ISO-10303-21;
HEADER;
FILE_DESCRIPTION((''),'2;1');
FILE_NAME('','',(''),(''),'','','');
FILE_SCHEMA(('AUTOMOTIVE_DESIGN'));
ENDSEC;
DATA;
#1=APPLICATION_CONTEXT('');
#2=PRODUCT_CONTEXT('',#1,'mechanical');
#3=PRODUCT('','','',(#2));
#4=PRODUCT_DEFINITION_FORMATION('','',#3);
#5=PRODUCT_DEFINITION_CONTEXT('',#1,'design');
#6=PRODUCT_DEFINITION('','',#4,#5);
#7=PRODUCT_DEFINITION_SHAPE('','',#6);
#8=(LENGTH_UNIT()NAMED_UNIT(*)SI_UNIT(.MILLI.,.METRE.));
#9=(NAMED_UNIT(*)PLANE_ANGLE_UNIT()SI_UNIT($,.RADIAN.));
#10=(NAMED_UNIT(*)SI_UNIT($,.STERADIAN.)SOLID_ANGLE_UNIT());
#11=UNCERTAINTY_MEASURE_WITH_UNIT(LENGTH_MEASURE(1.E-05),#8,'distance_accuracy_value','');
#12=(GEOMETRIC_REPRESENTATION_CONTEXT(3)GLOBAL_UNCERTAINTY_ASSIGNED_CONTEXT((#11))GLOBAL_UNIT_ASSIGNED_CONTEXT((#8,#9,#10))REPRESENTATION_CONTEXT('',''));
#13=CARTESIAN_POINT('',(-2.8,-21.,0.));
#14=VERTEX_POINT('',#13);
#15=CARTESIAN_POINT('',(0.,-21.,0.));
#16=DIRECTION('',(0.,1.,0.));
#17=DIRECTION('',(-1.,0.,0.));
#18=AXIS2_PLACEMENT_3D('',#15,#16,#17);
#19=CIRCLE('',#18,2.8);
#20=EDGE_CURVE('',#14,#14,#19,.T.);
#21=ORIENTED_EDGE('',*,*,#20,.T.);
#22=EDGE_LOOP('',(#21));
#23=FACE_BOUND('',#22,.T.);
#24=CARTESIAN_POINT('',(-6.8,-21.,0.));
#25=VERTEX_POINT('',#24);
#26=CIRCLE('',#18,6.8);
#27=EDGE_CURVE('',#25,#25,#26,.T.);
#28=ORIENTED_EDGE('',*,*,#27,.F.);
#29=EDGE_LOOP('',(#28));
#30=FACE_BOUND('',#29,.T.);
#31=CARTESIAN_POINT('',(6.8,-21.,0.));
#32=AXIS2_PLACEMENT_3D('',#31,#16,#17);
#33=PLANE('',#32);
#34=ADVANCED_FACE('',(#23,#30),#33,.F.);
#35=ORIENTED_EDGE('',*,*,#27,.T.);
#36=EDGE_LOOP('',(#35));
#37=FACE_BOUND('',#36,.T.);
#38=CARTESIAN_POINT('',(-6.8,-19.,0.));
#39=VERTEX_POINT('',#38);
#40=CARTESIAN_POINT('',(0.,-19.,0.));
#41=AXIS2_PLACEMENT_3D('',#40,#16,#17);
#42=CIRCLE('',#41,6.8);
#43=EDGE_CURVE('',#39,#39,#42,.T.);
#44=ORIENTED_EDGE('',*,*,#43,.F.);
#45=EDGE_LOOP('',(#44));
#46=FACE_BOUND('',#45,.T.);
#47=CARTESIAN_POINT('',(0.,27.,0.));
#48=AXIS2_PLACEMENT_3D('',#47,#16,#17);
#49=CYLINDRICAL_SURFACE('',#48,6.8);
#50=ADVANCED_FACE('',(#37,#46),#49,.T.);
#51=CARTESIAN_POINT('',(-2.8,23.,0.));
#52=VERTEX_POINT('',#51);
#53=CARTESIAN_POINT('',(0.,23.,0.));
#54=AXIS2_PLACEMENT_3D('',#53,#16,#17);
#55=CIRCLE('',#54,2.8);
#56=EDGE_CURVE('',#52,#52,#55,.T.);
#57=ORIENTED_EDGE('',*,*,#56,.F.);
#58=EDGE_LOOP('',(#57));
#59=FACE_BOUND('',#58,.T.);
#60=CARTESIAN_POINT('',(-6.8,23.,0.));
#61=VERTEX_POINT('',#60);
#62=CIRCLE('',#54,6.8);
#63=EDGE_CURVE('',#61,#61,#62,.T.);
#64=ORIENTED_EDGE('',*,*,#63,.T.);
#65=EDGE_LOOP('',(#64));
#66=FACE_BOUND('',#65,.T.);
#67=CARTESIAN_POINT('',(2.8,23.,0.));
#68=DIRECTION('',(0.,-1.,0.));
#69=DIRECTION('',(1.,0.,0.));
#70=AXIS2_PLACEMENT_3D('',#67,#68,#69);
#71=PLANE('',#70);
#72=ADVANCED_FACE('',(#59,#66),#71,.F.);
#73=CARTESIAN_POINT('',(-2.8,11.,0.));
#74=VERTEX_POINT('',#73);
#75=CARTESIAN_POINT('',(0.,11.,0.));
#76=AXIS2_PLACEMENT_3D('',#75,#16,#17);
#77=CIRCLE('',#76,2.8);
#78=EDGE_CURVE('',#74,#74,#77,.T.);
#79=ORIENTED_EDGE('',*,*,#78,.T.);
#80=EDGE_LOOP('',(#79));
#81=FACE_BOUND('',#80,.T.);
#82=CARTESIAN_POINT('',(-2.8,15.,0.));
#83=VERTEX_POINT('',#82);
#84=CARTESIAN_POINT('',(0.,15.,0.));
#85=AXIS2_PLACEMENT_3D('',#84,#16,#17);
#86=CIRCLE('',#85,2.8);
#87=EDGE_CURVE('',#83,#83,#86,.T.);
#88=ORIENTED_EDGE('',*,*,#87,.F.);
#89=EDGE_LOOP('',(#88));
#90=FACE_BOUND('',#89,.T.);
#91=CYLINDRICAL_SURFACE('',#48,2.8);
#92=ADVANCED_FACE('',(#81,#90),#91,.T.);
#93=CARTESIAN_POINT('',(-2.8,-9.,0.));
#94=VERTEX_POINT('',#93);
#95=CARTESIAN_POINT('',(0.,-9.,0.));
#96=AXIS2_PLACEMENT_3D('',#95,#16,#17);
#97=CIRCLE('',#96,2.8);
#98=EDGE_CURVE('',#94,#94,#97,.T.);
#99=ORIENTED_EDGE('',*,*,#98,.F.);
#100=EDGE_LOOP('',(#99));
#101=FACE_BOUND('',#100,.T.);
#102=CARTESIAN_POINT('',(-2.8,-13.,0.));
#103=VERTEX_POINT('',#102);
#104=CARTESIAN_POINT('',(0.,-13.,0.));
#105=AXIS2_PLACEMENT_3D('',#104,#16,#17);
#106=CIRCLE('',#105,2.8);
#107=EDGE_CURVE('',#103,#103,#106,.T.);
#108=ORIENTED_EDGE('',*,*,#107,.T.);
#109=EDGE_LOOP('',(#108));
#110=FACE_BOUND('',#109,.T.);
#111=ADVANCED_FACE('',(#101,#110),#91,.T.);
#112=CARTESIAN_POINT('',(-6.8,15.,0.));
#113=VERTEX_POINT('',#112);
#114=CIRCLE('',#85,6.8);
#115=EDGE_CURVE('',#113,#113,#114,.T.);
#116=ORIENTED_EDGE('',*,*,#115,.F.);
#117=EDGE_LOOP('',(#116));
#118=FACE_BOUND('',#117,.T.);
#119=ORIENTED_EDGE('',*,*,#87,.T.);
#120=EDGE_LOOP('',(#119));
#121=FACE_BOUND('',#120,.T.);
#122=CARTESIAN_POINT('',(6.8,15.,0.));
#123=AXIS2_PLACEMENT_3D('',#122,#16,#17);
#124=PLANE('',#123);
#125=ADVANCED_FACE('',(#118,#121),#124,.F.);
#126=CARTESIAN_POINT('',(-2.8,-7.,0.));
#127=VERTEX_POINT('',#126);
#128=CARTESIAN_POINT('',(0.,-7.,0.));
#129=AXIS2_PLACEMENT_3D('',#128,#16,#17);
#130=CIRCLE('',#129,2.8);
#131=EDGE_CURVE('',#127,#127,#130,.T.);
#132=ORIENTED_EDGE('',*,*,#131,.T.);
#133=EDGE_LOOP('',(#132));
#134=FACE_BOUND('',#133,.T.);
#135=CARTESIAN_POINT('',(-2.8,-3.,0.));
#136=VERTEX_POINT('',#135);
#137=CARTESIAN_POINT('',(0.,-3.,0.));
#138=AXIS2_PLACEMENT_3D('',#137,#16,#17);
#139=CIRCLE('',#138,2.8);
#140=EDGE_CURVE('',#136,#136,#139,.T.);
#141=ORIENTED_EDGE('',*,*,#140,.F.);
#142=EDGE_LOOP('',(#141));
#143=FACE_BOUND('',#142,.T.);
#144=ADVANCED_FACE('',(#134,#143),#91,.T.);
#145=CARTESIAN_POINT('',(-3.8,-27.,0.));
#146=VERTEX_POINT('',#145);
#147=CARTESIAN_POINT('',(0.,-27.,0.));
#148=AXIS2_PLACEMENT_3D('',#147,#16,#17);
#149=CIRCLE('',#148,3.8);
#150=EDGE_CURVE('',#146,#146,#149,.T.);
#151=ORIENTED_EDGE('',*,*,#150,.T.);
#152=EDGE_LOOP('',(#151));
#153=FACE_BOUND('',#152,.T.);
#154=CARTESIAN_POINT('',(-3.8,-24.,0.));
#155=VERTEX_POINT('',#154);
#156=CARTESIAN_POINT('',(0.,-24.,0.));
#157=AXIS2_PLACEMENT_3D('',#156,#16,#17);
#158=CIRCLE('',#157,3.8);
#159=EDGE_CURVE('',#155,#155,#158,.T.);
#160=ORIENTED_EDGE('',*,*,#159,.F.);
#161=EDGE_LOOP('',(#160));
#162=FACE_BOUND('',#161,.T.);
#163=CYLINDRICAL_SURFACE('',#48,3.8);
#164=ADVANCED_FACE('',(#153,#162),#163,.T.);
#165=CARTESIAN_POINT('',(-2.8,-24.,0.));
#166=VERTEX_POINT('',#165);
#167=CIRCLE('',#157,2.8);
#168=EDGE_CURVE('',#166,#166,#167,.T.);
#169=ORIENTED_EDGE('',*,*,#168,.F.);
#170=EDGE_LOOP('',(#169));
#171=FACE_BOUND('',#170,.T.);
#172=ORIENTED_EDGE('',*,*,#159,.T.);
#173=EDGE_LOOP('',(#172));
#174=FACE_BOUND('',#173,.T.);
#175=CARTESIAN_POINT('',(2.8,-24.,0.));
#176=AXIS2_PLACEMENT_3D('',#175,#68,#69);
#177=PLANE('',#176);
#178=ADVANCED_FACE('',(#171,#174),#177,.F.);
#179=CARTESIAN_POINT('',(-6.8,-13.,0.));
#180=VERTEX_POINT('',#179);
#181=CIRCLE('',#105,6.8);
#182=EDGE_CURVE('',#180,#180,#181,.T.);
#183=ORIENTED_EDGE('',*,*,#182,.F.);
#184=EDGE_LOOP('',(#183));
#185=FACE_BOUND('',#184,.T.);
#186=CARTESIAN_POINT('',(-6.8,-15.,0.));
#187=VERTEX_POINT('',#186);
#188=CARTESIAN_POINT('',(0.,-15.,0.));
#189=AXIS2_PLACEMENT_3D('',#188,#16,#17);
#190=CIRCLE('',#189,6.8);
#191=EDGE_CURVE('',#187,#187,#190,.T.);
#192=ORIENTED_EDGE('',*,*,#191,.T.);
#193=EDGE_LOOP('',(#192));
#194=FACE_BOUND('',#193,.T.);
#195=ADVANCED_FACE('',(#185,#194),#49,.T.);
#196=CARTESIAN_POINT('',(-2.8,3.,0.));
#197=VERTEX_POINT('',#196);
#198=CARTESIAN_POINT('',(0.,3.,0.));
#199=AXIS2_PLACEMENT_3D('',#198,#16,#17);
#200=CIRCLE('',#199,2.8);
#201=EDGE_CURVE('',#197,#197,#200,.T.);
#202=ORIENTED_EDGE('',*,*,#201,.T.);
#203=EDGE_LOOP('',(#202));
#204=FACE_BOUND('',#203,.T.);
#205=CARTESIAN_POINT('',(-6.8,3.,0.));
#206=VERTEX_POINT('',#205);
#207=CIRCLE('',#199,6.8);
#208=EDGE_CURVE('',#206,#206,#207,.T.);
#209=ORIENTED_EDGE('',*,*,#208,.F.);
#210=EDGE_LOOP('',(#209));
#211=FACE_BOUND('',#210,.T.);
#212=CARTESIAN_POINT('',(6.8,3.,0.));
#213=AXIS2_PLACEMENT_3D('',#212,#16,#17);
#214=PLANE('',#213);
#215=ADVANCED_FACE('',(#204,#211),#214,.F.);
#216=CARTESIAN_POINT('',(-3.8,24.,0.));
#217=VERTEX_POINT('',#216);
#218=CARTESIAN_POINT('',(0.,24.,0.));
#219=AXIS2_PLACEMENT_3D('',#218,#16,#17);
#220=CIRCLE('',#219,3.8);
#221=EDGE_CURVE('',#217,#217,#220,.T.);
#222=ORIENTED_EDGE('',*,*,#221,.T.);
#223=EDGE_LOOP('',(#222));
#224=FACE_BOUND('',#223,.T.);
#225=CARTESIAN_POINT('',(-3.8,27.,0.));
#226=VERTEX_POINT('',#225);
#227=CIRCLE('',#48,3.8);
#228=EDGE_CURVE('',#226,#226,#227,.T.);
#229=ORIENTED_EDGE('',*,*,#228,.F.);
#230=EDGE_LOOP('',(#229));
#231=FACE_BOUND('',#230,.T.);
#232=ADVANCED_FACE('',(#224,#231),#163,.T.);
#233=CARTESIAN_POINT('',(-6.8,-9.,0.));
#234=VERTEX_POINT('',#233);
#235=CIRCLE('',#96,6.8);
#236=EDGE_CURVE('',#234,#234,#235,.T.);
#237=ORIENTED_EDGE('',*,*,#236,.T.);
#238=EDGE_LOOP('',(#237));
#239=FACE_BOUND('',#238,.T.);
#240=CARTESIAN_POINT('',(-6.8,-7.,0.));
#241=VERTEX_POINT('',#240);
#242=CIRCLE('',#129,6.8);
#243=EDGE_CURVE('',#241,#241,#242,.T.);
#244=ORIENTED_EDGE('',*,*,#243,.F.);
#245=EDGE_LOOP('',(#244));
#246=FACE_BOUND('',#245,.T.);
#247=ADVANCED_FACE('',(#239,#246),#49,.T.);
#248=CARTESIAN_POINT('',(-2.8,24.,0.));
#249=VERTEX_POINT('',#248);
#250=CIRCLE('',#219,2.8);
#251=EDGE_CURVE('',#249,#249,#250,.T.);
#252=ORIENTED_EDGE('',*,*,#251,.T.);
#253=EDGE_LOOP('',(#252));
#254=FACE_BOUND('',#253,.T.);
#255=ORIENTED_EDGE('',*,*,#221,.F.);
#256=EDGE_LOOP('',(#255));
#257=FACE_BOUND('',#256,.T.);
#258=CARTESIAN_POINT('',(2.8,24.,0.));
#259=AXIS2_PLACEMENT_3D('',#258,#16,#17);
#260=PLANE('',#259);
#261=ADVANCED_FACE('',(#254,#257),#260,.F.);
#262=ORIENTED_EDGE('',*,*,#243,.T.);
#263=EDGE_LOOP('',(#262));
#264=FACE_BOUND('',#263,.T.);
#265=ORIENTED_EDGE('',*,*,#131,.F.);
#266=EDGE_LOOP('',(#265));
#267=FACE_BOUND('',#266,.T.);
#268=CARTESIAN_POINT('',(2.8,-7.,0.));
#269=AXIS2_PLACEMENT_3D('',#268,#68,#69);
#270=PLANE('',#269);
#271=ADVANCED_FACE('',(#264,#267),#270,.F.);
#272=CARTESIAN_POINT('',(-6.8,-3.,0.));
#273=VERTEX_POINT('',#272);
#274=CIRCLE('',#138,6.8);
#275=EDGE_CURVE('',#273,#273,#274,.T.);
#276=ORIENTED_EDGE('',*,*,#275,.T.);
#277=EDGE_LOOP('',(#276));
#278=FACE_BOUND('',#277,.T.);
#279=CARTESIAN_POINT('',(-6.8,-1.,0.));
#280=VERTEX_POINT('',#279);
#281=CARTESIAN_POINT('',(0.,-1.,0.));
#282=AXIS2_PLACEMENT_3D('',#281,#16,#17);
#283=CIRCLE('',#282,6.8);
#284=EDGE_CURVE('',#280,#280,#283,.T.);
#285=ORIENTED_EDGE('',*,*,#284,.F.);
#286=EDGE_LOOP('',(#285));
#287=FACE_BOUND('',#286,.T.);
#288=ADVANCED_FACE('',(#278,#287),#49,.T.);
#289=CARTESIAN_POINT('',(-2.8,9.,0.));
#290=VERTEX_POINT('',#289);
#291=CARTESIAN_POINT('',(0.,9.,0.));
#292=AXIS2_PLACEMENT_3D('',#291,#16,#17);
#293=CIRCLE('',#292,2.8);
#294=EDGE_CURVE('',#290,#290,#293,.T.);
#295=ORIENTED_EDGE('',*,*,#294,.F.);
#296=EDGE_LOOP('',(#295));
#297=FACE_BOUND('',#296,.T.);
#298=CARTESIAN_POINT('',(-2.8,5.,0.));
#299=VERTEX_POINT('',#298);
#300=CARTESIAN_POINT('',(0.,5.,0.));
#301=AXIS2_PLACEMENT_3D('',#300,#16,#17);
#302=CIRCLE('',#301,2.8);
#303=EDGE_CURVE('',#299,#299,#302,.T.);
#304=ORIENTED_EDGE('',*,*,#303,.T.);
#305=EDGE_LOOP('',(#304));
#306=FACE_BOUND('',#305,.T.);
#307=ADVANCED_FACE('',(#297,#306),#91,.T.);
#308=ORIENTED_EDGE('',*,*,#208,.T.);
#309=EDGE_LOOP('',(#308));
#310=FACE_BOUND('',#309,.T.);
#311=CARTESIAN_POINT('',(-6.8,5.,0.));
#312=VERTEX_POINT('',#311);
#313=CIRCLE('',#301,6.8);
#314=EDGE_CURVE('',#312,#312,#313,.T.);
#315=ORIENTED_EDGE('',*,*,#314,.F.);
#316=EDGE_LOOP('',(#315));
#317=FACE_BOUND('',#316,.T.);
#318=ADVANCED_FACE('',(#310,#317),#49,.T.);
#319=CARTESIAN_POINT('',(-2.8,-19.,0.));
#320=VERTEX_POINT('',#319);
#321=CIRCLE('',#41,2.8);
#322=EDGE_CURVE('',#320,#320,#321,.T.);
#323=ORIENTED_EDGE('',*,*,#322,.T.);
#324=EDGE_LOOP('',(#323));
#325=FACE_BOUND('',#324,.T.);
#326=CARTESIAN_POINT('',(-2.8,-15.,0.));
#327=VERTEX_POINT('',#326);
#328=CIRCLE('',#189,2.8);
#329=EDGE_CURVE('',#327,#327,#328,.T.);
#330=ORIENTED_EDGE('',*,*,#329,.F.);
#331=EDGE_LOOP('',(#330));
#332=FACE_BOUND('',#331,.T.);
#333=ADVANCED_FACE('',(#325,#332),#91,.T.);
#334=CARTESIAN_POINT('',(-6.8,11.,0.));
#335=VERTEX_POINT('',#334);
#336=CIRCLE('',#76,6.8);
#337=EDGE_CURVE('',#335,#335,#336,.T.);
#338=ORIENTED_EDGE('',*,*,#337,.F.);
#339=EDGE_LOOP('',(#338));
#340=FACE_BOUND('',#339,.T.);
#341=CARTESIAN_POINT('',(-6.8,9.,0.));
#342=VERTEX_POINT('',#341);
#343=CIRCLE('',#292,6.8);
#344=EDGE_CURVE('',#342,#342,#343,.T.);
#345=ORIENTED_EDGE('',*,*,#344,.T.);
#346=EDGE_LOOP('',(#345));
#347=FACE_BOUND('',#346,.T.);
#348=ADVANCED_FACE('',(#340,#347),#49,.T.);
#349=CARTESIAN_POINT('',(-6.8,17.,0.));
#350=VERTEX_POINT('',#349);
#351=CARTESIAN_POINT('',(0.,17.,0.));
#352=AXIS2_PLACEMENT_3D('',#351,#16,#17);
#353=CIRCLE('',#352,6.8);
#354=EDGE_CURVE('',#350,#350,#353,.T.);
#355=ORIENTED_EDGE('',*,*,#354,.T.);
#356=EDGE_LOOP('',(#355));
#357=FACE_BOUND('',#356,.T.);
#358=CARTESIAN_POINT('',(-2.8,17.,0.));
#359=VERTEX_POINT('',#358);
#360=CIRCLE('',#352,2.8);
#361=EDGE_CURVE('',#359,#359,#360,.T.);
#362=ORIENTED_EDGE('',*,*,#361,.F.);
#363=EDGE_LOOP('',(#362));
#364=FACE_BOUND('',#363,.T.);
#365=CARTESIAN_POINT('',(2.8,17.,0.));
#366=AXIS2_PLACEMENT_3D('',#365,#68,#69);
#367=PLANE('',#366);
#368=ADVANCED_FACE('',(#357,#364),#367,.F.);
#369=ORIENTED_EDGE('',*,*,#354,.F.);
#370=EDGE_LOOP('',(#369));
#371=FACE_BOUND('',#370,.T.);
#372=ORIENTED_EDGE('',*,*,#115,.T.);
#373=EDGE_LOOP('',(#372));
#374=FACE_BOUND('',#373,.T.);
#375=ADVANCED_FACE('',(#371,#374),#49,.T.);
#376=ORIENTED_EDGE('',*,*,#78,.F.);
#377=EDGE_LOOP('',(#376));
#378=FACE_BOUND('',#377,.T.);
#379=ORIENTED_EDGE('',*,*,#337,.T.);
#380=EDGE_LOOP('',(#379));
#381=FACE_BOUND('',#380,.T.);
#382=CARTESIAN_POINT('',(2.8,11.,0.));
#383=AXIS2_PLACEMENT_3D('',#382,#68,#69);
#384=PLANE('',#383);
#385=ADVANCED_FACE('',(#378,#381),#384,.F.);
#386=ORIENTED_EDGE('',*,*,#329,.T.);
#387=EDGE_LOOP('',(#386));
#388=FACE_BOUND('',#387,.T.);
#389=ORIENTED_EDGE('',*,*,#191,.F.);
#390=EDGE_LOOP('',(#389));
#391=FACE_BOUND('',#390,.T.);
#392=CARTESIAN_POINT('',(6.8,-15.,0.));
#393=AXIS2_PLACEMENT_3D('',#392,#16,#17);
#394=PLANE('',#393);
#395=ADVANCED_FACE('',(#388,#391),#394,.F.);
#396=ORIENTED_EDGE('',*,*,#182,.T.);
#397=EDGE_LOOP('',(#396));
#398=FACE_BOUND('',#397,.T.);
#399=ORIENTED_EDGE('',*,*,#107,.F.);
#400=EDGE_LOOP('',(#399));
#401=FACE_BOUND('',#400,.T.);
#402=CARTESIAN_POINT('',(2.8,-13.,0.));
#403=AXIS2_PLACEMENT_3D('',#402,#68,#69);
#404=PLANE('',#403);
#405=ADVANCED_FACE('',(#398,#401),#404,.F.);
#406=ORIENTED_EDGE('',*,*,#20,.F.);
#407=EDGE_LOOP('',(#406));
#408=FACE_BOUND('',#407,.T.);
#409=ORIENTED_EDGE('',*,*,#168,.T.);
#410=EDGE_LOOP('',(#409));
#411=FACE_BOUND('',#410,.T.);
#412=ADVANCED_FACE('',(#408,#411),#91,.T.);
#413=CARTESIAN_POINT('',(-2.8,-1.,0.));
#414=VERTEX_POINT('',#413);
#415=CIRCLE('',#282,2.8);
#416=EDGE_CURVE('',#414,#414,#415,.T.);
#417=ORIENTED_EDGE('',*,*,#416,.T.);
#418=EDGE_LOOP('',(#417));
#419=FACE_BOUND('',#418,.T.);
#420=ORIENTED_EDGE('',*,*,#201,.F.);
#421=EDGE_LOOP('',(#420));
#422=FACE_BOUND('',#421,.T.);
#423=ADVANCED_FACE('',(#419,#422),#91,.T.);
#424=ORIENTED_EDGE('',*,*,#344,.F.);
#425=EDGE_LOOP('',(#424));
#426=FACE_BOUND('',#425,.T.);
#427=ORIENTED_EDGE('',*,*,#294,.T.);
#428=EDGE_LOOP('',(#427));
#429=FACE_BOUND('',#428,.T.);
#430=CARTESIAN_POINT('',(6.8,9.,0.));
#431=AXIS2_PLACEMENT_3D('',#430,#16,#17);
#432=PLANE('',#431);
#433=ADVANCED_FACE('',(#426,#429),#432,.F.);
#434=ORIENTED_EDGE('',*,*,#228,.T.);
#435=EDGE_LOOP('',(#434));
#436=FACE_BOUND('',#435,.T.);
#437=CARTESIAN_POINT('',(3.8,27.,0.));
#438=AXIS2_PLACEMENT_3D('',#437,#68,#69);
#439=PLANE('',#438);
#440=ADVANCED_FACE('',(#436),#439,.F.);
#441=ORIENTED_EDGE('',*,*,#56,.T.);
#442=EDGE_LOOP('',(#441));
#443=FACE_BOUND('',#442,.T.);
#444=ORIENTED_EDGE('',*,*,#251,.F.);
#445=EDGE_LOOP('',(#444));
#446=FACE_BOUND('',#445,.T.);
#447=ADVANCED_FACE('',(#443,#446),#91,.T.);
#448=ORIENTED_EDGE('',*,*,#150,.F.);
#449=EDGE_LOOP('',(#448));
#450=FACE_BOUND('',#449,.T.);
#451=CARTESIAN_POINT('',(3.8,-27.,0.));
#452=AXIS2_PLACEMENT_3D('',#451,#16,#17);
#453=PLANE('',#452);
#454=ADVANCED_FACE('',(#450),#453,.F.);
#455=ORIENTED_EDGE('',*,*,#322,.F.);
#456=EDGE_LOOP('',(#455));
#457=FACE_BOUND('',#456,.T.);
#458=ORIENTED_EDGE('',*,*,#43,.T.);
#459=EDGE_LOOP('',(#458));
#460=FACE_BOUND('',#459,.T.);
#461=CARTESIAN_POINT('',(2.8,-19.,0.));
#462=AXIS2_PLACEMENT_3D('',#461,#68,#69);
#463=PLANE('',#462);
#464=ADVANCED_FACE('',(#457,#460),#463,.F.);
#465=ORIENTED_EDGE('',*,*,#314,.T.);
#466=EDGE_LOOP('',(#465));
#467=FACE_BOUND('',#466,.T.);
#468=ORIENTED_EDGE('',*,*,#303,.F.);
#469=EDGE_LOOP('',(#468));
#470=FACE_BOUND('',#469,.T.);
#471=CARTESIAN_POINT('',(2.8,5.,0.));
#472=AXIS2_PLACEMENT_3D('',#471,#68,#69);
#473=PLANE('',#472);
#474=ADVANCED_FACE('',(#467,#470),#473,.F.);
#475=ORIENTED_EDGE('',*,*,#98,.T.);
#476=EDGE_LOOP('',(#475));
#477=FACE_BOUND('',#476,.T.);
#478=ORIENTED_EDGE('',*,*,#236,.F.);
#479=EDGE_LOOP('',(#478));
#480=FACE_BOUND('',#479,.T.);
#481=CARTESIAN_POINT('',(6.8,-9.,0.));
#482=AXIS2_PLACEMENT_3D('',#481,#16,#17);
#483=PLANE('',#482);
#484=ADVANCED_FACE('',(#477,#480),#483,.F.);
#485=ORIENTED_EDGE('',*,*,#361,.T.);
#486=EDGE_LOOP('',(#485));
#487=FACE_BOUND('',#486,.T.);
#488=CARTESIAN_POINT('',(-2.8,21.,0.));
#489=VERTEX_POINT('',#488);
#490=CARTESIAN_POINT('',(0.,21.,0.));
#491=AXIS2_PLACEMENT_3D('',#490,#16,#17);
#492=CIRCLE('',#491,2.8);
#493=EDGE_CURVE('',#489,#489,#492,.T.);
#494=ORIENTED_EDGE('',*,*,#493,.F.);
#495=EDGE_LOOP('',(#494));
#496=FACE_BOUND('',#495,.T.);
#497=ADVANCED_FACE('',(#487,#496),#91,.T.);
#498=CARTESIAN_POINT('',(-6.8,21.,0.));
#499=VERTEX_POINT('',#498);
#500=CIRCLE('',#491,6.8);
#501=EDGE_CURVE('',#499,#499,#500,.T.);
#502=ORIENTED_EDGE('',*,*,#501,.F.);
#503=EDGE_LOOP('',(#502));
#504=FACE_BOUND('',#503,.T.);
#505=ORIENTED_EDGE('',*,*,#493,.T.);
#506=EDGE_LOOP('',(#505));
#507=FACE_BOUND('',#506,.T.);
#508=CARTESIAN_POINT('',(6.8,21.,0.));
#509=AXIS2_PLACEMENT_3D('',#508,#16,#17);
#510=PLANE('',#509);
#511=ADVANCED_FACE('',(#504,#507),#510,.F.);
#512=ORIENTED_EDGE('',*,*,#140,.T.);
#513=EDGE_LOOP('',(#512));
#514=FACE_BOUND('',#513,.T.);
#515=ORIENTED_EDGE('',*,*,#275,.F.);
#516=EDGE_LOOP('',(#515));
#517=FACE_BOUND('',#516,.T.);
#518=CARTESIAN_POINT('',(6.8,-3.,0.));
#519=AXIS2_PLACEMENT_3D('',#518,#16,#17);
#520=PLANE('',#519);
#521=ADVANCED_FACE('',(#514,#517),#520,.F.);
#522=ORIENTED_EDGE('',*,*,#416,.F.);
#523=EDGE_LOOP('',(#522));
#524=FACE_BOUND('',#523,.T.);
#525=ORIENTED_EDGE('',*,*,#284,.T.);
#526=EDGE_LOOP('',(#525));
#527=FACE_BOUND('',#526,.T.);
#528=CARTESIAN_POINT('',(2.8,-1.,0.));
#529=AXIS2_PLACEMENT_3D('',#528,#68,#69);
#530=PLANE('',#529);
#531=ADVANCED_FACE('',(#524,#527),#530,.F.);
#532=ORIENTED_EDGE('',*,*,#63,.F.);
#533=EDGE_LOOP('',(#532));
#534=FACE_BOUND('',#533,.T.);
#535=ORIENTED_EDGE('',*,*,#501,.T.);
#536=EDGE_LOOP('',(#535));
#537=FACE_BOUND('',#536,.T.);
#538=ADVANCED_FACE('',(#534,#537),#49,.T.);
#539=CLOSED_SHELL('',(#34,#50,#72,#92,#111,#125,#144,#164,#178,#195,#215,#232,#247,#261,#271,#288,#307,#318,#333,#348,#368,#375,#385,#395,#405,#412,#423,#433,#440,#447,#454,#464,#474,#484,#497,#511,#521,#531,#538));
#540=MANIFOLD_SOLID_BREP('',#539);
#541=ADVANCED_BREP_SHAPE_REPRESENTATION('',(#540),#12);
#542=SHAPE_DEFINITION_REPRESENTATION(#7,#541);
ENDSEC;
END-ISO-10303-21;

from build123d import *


with BuildPart() as part:
    # Sketch1 → Revolve1 (revolve)
    with BuildSketch(Plane.XY, mode=Mode.PRIVATE) as revolve1_sk:
        Polygon((2.8, 24), (2.8, 23), (6.8, 23), (6.8, 21), (2.8, 21), (2.8, 18), (2.8, 17), (6.8, 17), (6.8, 15), (2.8, 15), (2.8, 12), (2.8, 11), (6.8, 11), (6.8, 9), (2.8, 9), (2.8, 6), (2.8, 5), (6.8, 5), (6.8, 3), (2.8, 3), (2.8, 0), (2.8, -1), (6.8, -1), (6.8, -3), (2.8, -3), (2.8, -6), (2.8, -7), (6.8, -7), (6.8, -9), (2.8, -9), (2.8, -12), (2.8, -13), (6.8, -13), (6.8, -15), (2.8, -15), (2.8, -18), (2.8, -19), (6.8, -19), (6.8, -21), (2.8, -21), (2.8, -24), (3.8, -24), (3.8, -27), (0, -27), (0, 27), (3.8, 27), (3.8, 24), align=None)
    revolve(revolve1_sk.sketch.rotate(Axis((0, 27, 0), (0, -1, 0)), 180), axis=Axis((0, 27, 0), (0, -1, 0)))


solid = part.part
